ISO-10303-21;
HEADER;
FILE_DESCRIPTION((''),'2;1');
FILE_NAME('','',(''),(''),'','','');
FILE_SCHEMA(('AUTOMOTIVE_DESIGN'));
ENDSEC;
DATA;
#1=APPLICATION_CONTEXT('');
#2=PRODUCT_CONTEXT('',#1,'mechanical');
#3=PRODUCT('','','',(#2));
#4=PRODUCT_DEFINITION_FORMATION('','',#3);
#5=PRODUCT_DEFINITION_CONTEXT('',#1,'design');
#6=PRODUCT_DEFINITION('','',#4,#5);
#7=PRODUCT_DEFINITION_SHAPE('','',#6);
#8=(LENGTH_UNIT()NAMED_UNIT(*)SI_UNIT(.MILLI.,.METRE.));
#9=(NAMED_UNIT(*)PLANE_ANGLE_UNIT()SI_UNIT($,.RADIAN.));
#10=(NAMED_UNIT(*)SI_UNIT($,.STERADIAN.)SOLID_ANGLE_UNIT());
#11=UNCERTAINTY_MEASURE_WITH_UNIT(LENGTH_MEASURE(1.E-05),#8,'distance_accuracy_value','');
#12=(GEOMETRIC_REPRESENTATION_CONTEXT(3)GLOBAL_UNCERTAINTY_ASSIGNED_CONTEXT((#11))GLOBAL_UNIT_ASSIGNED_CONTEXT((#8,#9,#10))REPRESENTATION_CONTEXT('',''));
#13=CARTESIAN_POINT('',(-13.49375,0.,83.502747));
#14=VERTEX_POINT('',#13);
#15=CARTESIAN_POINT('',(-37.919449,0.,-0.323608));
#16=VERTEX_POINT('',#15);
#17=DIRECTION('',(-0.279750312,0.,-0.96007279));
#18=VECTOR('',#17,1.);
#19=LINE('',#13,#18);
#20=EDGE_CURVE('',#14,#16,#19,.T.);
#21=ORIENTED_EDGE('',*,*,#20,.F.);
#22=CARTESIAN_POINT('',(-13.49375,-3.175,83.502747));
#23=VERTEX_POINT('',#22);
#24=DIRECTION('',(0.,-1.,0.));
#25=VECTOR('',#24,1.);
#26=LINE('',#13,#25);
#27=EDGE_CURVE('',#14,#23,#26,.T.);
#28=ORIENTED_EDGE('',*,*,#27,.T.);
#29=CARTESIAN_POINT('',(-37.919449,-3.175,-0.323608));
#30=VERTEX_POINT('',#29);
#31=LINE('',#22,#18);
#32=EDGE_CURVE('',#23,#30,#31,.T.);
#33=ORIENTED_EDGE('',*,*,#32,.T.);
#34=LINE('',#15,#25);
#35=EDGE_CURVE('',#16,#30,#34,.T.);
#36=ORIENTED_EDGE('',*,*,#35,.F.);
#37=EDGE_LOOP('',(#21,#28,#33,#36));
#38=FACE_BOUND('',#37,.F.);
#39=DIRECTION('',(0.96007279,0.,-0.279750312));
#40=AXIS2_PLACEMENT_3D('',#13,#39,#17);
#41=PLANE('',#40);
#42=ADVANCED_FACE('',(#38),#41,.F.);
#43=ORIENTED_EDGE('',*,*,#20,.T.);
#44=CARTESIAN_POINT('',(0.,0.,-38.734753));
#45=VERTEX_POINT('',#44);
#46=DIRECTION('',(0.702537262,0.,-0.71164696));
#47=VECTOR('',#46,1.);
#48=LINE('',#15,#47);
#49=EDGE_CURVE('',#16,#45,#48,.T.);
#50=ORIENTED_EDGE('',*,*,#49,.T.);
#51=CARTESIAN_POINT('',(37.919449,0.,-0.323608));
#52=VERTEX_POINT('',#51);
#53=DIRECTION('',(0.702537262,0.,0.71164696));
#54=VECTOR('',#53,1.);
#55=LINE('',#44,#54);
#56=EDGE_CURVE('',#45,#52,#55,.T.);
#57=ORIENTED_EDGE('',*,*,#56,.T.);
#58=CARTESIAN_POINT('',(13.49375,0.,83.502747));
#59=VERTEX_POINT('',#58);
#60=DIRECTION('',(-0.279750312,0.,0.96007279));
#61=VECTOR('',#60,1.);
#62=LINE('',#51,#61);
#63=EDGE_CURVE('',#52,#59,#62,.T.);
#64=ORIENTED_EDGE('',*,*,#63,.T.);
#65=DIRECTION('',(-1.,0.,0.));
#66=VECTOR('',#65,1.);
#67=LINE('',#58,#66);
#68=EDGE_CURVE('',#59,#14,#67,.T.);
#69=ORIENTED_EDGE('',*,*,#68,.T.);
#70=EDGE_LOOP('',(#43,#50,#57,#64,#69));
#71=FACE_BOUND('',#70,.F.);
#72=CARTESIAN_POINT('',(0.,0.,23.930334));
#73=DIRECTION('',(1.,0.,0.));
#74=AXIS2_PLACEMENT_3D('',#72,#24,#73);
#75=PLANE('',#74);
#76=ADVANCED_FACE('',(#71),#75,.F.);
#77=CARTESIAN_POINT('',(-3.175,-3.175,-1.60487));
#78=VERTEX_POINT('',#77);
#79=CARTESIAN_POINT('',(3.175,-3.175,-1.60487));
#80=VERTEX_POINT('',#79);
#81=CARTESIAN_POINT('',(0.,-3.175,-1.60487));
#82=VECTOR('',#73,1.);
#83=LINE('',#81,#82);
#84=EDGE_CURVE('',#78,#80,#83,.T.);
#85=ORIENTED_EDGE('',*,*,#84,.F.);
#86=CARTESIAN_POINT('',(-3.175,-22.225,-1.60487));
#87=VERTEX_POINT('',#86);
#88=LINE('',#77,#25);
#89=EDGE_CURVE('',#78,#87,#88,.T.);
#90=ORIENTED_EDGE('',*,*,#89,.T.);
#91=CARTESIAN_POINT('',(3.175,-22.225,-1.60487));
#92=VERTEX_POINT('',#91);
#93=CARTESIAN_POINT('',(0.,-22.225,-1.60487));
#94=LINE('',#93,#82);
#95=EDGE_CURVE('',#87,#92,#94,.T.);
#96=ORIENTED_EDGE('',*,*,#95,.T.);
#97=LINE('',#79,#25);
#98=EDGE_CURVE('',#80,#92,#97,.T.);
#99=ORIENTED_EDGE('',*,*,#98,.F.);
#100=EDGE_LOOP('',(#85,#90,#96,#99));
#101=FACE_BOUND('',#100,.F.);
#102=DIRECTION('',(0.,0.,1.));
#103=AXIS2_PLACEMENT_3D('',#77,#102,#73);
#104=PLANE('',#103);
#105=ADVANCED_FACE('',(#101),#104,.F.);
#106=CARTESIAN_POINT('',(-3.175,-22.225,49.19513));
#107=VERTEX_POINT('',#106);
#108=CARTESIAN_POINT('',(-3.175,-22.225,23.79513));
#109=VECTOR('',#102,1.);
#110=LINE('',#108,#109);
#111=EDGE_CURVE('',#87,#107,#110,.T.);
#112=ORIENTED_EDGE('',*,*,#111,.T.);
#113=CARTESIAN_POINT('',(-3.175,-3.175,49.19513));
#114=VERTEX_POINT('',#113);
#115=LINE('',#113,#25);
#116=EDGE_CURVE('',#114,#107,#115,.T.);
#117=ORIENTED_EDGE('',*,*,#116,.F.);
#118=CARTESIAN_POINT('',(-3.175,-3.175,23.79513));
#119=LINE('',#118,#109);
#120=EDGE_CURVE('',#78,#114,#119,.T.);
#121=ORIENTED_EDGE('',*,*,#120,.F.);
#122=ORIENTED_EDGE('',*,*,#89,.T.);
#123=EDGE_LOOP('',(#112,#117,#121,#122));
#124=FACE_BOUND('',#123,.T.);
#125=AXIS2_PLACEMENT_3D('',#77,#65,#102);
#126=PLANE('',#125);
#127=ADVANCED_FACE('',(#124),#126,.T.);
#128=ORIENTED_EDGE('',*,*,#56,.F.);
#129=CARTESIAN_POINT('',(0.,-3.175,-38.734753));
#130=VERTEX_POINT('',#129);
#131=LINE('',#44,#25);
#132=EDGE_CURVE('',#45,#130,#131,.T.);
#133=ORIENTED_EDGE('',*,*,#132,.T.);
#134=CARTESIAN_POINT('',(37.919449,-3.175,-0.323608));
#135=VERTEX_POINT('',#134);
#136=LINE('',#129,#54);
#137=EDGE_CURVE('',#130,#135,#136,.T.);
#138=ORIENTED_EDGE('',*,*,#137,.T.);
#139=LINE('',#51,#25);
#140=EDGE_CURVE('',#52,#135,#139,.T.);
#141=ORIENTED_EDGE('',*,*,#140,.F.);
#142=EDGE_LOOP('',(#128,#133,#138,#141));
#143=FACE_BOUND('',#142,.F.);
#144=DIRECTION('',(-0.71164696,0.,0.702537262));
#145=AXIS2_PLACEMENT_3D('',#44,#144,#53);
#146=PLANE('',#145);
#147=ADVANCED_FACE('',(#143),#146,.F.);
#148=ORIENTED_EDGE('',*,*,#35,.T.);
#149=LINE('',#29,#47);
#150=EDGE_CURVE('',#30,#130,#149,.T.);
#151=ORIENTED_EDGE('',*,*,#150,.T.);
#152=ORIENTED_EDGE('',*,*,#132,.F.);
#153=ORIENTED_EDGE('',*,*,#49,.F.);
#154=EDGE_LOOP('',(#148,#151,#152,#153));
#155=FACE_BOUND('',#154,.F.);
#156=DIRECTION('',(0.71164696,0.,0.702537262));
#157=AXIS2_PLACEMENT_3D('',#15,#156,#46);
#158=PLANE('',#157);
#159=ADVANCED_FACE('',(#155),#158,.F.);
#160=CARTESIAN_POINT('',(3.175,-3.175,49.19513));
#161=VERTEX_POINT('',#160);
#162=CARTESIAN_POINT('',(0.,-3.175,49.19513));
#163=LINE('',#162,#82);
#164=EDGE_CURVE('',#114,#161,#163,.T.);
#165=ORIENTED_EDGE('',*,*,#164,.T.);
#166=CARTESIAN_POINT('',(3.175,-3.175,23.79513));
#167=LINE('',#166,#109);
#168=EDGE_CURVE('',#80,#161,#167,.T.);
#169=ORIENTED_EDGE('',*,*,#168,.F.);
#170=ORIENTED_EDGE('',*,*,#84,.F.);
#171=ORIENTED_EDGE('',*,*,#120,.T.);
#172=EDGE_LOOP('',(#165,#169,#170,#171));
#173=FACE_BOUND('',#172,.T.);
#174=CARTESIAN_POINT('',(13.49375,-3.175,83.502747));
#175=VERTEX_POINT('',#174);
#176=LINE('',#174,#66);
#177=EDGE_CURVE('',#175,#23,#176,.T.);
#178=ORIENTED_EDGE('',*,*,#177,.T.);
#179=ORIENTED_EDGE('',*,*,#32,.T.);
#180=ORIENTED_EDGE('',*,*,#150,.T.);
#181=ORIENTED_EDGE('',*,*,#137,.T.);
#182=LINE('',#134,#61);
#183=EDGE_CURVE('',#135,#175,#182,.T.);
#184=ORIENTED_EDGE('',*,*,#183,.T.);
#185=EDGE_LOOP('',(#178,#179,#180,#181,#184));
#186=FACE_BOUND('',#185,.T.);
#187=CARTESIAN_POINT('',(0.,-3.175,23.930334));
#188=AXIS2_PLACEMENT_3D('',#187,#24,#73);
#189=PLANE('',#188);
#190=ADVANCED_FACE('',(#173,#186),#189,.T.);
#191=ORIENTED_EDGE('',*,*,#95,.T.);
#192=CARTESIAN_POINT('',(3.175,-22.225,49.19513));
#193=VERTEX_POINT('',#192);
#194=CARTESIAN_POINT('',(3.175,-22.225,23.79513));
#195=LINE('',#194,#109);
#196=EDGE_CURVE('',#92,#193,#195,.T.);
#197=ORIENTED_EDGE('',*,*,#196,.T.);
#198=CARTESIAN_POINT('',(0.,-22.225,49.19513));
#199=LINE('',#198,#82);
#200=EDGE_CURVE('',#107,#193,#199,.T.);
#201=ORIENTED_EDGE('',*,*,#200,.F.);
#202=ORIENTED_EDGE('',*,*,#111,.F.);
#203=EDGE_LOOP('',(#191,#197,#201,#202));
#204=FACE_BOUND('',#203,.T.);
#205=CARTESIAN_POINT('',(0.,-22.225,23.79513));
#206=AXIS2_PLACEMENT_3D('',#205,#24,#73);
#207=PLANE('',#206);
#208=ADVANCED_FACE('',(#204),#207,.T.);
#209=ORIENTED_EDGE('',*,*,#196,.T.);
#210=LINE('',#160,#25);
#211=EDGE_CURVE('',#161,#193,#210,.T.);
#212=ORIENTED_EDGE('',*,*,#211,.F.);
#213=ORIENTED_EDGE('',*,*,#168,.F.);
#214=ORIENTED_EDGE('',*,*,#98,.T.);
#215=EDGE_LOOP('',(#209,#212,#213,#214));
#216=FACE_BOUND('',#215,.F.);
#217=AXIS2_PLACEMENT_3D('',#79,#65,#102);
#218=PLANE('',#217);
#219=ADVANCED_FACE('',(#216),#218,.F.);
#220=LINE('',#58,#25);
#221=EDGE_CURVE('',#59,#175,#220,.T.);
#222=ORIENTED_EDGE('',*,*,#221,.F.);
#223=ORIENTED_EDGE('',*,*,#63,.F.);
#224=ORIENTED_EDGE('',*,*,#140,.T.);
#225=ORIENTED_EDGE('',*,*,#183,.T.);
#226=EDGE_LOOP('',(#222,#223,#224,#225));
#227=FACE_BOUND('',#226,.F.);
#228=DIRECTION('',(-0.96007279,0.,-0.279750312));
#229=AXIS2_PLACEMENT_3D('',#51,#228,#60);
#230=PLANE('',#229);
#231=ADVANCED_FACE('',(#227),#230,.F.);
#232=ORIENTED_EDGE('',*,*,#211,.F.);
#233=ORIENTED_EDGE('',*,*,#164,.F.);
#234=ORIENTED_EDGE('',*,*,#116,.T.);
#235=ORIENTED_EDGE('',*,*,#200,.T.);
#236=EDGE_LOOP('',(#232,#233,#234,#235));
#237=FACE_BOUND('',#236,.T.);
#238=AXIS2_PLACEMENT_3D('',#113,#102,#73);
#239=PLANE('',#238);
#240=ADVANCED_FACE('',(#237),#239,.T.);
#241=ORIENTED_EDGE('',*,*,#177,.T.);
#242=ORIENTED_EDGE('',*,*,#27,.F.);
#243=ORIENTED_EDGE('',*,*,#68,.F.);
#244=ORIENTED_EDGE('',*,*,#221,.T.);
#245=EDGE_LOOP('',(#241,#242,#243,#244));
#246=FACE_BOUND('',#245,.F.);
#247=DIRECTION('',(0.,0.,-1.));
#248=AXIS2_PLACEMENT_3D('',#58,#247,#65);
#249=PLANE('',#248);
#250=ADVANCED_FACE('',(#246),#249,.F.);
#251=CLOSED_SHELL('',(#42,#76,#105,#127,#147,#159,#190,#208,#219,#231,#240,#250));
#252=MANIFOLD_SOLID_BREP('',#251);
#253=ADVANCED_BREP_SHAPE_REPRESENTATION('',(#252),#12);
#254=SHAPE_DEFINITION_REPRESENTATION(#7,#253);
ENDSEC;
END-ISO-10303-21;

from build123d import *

# Parameters (mm, degrees)
F1_DEPTH = 3.175
F2_W     = 6.35
F2_H     = 50.8
F3_DEPTH = 19.05


with BuildPart() as f1:
    # F0 (on Front) → F1 (new body)
    with BuildSketch(Plane.XZ):
        Polygon((37.919449, -0.323608), (13.49375, 83.502747), (-13.49375, 83.502747), (-37.919449, -0.323608), (0, -38.734753), align=None)
    extrude(amount=F1_DEPTH)

    # F2 (on face) → F3 (join)
    with BuildSketch(Plane.XZ.offset(3.175)):
        with Locations((0, 23.79513)):
            Rectangle(F2_W, F2_H)
    extrude(amount=F3_DEPTH)


solid = f1.part
